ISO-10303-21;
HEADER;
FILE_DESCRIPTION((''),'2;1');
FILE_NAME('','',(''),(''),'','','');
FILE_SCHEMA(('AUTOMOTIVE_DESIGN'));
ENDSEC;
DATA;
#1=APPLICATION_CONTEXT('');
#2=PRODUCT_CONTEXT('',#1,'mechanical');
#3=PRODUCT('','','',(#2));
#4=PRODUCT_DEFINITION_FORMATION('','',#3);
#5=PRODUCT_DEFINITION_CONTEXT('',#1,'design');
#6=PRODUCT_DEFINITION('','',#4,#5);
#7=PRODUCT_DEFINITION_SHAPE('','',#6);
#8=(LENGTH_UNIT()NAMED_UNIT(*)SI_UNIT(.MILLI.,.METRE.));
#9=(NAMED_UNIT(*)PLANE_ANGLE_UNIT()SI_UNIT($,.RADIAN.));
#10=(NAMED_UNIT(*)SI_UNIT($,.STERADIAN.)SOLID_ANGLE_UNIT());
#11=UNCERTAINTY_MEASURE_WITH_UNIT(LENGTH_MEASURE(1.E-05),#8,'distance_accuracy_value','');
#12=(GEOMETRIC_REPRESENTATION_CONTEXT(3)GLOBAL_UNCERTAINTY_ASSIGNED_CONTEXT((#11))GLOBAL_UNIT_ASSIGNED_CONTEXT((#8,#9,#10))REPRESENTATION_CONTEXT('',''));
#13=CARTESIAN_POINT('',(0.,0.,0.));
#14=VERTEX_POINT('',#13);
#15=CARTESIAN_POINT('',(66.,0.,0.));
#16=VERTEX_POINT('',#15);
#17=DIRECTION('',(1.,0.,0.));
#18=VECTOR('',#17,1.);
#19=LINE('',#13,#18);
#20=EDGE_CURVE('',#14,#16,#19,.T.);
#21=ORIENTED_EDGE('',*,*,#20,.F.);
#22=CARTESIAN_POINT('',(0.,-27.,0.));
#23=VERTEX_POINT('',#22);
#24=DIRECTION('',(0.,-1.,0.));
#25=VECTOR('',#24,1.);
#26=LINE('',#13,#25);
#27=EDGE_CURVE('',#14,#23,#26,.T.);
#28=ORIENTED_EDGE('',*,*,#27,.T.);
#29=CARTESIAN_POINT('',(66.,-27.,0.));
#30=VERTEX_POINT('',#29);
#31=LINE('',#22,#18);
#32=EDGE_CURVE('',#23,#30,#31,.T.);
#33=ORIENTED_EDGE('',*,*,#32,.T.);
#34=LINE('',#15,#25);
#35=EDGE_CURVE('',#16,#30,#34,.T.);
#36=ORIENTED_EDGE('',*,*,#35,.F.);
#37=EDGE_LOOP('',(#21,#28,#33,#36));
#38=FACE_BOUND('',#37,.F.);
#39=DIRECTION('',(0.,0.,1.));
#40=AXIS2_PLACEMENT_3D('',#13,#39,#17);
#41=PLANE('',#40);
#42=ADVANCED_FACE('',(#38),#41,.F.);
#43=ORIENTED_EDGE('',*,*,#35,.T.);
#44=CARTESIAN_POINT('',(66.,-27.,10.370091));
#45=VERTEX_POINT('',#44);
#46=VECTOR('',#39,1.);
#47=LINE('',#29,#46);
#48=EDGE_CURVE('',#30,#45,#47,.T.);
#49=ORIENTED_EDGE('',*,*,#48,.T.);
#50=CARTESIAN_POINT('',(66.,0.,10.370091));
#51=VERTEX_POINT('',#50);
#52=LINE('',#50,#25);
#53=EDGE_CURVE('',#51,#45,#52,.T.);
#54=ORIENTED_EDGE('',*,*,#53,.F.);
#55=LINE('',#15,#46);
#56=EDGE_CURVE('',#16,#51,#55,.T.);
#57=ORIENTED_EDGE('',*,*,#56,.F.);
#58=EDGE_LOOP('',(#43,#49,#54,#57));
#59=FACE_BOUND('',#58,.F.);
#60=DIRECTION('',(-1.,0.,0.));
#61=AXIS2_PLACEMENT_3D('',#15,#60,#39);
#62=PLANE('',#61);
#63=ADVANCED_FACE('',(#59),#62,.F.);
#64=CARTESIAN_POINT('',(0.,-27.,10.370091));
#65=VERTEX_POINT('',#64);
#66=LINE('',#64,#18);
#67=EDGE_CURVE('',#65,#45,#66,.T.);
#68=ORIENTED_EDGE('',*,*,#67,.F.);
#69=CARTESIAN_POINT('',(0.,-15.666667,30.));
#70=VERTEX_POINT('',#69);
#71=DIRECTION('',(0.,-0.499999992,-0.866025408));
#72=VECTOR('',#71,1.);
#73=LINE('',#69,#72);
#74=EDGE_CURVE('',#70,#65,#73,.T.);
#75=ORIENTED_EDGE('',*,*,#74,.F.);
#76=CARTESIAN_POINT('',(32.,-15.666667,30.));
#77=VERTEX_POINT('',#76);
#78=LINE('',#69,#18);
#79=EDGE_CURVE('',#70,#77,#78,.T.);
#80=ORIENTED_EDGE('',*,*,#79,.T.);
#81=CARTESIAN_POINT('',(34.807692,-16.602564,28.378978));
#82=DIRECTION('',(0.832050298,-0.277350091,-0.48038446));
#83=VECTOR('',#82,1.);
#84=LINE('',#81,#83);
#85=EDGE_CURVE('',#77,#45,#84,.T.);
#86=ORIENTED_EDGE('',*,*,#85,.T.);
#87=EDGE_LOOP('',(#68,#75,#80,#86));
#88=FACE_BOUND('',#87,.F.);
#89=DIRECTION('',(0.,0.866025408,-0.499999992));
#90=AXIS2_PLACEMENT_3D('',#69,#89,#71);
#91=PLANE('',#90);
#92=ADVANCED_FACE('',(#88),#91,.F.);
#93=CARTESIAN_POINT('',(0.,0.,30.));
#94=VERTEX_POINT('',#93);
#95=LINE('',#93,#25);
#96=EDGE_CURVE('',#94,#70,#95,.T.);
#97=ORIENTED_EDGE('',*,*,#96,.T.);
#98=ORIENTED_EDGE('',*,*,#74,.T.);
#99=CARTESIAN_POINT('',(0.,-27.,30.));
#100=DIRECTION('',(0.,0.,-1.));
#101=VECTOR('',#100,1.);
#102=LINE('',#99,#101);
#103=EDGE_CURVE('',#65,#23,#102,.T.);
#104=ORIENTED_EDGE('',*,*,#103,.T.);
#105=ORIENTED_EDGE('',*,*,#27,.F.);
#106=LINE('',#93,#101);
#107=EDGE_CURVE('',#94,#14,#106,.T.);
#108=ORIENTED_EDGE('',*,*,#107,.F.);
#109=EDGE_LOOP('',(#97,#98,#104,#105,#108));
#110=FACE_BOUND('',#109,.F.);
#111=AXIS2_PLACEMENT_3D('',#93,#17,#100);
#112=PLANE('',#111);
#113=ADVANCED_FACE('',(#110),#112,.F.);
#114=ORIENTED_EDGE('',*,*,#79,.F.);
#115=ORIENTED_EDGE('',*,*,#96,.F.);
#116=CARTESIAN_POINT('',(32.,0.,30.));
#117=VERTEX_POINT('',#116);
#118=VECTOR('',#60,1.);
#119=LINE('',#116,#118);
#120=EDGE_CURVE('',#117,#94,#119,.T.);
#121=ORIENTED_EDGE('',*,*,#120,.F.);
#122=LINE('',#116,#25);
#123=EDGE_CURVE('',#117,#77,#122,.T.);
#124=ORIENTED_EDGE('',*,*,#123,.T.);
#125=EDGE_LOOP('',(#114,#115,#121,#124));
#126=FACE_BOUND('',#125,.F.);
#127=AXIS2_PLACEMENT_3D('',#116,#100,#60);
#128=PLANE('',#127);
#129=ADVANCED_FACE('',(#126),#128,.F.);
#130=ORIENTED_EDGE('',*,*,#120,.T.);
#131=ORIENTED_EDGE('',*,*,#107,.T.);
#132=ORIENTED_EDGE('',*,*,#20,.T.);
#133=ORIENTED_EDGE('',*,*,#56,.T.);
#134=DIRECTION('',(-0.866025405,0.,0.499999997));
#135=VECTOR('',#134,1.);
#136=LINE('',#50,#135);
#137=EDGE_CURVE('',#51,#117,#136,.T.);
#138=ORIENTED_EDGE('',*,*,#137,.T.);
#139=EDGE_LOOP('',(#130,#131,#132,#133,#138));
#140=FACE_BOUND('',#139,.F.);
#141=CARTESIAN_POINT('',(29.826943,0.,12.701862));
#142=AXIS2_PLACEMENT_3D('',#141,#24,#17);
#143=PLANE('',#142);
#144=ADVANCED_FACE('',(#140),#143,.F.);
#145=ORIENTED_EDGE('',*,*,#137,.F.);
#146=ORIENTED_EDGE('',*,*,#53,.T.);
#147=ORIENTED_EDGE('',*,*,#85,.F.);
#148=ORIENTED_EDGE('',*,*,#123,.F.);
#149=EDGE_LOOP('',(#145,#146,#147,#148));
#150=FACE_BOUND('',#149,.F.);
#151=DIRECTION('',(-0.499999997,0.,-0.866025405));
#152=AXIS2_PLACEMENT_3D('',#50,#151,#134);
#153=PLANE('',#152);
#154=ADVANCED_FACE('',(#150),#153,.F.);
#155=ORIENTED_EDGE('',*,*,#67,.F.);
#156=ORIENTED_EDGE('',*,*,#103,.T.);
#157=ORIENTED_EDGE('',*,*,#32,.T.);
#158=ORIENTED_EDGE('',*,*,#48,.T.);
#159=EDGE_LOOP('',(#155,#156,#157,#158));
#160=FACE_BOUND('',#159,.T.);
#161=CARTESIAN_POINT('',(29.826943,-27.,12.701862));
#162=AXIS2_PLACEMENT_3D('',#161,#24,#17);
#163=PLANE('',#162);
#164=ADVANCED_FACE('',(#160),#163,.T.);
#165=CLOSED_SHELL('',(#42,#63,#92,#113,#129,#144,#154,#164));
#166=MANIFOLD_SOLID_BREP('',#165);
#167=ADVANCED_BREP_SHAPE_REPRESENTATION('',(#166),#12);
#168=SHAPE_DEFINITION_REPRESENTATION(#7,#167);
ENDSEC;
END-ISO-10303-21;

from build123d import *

# Parameters (mm, degrees)
F1_DEPTH = 27
F3_DEPTH = 66.001


with BuildPart() as f1:
    # F0 (on Front) → F1 (new body)
    with BuildSketch(Plane.XZ):
        Polygon((0, 30), (0, 0), (66, 0), (66, 10.370091), (32, 30), align=None)
    extrude(amount=F1_DEPTH)

    # F2 (on face) → F3 (cut, through all)
    with BuildSketch(Plane(origin=(0, 0, 0), x_dir=(0, -1, 0), z_dir=(-1, 0, 0))):
        Polygon((15.666667, 30), (27, 10.370091), (27, 30), align=None)
    extrude(amount=-F3_DEPTH, mode=Mode.SUBTRACT)


solid = f1.part
